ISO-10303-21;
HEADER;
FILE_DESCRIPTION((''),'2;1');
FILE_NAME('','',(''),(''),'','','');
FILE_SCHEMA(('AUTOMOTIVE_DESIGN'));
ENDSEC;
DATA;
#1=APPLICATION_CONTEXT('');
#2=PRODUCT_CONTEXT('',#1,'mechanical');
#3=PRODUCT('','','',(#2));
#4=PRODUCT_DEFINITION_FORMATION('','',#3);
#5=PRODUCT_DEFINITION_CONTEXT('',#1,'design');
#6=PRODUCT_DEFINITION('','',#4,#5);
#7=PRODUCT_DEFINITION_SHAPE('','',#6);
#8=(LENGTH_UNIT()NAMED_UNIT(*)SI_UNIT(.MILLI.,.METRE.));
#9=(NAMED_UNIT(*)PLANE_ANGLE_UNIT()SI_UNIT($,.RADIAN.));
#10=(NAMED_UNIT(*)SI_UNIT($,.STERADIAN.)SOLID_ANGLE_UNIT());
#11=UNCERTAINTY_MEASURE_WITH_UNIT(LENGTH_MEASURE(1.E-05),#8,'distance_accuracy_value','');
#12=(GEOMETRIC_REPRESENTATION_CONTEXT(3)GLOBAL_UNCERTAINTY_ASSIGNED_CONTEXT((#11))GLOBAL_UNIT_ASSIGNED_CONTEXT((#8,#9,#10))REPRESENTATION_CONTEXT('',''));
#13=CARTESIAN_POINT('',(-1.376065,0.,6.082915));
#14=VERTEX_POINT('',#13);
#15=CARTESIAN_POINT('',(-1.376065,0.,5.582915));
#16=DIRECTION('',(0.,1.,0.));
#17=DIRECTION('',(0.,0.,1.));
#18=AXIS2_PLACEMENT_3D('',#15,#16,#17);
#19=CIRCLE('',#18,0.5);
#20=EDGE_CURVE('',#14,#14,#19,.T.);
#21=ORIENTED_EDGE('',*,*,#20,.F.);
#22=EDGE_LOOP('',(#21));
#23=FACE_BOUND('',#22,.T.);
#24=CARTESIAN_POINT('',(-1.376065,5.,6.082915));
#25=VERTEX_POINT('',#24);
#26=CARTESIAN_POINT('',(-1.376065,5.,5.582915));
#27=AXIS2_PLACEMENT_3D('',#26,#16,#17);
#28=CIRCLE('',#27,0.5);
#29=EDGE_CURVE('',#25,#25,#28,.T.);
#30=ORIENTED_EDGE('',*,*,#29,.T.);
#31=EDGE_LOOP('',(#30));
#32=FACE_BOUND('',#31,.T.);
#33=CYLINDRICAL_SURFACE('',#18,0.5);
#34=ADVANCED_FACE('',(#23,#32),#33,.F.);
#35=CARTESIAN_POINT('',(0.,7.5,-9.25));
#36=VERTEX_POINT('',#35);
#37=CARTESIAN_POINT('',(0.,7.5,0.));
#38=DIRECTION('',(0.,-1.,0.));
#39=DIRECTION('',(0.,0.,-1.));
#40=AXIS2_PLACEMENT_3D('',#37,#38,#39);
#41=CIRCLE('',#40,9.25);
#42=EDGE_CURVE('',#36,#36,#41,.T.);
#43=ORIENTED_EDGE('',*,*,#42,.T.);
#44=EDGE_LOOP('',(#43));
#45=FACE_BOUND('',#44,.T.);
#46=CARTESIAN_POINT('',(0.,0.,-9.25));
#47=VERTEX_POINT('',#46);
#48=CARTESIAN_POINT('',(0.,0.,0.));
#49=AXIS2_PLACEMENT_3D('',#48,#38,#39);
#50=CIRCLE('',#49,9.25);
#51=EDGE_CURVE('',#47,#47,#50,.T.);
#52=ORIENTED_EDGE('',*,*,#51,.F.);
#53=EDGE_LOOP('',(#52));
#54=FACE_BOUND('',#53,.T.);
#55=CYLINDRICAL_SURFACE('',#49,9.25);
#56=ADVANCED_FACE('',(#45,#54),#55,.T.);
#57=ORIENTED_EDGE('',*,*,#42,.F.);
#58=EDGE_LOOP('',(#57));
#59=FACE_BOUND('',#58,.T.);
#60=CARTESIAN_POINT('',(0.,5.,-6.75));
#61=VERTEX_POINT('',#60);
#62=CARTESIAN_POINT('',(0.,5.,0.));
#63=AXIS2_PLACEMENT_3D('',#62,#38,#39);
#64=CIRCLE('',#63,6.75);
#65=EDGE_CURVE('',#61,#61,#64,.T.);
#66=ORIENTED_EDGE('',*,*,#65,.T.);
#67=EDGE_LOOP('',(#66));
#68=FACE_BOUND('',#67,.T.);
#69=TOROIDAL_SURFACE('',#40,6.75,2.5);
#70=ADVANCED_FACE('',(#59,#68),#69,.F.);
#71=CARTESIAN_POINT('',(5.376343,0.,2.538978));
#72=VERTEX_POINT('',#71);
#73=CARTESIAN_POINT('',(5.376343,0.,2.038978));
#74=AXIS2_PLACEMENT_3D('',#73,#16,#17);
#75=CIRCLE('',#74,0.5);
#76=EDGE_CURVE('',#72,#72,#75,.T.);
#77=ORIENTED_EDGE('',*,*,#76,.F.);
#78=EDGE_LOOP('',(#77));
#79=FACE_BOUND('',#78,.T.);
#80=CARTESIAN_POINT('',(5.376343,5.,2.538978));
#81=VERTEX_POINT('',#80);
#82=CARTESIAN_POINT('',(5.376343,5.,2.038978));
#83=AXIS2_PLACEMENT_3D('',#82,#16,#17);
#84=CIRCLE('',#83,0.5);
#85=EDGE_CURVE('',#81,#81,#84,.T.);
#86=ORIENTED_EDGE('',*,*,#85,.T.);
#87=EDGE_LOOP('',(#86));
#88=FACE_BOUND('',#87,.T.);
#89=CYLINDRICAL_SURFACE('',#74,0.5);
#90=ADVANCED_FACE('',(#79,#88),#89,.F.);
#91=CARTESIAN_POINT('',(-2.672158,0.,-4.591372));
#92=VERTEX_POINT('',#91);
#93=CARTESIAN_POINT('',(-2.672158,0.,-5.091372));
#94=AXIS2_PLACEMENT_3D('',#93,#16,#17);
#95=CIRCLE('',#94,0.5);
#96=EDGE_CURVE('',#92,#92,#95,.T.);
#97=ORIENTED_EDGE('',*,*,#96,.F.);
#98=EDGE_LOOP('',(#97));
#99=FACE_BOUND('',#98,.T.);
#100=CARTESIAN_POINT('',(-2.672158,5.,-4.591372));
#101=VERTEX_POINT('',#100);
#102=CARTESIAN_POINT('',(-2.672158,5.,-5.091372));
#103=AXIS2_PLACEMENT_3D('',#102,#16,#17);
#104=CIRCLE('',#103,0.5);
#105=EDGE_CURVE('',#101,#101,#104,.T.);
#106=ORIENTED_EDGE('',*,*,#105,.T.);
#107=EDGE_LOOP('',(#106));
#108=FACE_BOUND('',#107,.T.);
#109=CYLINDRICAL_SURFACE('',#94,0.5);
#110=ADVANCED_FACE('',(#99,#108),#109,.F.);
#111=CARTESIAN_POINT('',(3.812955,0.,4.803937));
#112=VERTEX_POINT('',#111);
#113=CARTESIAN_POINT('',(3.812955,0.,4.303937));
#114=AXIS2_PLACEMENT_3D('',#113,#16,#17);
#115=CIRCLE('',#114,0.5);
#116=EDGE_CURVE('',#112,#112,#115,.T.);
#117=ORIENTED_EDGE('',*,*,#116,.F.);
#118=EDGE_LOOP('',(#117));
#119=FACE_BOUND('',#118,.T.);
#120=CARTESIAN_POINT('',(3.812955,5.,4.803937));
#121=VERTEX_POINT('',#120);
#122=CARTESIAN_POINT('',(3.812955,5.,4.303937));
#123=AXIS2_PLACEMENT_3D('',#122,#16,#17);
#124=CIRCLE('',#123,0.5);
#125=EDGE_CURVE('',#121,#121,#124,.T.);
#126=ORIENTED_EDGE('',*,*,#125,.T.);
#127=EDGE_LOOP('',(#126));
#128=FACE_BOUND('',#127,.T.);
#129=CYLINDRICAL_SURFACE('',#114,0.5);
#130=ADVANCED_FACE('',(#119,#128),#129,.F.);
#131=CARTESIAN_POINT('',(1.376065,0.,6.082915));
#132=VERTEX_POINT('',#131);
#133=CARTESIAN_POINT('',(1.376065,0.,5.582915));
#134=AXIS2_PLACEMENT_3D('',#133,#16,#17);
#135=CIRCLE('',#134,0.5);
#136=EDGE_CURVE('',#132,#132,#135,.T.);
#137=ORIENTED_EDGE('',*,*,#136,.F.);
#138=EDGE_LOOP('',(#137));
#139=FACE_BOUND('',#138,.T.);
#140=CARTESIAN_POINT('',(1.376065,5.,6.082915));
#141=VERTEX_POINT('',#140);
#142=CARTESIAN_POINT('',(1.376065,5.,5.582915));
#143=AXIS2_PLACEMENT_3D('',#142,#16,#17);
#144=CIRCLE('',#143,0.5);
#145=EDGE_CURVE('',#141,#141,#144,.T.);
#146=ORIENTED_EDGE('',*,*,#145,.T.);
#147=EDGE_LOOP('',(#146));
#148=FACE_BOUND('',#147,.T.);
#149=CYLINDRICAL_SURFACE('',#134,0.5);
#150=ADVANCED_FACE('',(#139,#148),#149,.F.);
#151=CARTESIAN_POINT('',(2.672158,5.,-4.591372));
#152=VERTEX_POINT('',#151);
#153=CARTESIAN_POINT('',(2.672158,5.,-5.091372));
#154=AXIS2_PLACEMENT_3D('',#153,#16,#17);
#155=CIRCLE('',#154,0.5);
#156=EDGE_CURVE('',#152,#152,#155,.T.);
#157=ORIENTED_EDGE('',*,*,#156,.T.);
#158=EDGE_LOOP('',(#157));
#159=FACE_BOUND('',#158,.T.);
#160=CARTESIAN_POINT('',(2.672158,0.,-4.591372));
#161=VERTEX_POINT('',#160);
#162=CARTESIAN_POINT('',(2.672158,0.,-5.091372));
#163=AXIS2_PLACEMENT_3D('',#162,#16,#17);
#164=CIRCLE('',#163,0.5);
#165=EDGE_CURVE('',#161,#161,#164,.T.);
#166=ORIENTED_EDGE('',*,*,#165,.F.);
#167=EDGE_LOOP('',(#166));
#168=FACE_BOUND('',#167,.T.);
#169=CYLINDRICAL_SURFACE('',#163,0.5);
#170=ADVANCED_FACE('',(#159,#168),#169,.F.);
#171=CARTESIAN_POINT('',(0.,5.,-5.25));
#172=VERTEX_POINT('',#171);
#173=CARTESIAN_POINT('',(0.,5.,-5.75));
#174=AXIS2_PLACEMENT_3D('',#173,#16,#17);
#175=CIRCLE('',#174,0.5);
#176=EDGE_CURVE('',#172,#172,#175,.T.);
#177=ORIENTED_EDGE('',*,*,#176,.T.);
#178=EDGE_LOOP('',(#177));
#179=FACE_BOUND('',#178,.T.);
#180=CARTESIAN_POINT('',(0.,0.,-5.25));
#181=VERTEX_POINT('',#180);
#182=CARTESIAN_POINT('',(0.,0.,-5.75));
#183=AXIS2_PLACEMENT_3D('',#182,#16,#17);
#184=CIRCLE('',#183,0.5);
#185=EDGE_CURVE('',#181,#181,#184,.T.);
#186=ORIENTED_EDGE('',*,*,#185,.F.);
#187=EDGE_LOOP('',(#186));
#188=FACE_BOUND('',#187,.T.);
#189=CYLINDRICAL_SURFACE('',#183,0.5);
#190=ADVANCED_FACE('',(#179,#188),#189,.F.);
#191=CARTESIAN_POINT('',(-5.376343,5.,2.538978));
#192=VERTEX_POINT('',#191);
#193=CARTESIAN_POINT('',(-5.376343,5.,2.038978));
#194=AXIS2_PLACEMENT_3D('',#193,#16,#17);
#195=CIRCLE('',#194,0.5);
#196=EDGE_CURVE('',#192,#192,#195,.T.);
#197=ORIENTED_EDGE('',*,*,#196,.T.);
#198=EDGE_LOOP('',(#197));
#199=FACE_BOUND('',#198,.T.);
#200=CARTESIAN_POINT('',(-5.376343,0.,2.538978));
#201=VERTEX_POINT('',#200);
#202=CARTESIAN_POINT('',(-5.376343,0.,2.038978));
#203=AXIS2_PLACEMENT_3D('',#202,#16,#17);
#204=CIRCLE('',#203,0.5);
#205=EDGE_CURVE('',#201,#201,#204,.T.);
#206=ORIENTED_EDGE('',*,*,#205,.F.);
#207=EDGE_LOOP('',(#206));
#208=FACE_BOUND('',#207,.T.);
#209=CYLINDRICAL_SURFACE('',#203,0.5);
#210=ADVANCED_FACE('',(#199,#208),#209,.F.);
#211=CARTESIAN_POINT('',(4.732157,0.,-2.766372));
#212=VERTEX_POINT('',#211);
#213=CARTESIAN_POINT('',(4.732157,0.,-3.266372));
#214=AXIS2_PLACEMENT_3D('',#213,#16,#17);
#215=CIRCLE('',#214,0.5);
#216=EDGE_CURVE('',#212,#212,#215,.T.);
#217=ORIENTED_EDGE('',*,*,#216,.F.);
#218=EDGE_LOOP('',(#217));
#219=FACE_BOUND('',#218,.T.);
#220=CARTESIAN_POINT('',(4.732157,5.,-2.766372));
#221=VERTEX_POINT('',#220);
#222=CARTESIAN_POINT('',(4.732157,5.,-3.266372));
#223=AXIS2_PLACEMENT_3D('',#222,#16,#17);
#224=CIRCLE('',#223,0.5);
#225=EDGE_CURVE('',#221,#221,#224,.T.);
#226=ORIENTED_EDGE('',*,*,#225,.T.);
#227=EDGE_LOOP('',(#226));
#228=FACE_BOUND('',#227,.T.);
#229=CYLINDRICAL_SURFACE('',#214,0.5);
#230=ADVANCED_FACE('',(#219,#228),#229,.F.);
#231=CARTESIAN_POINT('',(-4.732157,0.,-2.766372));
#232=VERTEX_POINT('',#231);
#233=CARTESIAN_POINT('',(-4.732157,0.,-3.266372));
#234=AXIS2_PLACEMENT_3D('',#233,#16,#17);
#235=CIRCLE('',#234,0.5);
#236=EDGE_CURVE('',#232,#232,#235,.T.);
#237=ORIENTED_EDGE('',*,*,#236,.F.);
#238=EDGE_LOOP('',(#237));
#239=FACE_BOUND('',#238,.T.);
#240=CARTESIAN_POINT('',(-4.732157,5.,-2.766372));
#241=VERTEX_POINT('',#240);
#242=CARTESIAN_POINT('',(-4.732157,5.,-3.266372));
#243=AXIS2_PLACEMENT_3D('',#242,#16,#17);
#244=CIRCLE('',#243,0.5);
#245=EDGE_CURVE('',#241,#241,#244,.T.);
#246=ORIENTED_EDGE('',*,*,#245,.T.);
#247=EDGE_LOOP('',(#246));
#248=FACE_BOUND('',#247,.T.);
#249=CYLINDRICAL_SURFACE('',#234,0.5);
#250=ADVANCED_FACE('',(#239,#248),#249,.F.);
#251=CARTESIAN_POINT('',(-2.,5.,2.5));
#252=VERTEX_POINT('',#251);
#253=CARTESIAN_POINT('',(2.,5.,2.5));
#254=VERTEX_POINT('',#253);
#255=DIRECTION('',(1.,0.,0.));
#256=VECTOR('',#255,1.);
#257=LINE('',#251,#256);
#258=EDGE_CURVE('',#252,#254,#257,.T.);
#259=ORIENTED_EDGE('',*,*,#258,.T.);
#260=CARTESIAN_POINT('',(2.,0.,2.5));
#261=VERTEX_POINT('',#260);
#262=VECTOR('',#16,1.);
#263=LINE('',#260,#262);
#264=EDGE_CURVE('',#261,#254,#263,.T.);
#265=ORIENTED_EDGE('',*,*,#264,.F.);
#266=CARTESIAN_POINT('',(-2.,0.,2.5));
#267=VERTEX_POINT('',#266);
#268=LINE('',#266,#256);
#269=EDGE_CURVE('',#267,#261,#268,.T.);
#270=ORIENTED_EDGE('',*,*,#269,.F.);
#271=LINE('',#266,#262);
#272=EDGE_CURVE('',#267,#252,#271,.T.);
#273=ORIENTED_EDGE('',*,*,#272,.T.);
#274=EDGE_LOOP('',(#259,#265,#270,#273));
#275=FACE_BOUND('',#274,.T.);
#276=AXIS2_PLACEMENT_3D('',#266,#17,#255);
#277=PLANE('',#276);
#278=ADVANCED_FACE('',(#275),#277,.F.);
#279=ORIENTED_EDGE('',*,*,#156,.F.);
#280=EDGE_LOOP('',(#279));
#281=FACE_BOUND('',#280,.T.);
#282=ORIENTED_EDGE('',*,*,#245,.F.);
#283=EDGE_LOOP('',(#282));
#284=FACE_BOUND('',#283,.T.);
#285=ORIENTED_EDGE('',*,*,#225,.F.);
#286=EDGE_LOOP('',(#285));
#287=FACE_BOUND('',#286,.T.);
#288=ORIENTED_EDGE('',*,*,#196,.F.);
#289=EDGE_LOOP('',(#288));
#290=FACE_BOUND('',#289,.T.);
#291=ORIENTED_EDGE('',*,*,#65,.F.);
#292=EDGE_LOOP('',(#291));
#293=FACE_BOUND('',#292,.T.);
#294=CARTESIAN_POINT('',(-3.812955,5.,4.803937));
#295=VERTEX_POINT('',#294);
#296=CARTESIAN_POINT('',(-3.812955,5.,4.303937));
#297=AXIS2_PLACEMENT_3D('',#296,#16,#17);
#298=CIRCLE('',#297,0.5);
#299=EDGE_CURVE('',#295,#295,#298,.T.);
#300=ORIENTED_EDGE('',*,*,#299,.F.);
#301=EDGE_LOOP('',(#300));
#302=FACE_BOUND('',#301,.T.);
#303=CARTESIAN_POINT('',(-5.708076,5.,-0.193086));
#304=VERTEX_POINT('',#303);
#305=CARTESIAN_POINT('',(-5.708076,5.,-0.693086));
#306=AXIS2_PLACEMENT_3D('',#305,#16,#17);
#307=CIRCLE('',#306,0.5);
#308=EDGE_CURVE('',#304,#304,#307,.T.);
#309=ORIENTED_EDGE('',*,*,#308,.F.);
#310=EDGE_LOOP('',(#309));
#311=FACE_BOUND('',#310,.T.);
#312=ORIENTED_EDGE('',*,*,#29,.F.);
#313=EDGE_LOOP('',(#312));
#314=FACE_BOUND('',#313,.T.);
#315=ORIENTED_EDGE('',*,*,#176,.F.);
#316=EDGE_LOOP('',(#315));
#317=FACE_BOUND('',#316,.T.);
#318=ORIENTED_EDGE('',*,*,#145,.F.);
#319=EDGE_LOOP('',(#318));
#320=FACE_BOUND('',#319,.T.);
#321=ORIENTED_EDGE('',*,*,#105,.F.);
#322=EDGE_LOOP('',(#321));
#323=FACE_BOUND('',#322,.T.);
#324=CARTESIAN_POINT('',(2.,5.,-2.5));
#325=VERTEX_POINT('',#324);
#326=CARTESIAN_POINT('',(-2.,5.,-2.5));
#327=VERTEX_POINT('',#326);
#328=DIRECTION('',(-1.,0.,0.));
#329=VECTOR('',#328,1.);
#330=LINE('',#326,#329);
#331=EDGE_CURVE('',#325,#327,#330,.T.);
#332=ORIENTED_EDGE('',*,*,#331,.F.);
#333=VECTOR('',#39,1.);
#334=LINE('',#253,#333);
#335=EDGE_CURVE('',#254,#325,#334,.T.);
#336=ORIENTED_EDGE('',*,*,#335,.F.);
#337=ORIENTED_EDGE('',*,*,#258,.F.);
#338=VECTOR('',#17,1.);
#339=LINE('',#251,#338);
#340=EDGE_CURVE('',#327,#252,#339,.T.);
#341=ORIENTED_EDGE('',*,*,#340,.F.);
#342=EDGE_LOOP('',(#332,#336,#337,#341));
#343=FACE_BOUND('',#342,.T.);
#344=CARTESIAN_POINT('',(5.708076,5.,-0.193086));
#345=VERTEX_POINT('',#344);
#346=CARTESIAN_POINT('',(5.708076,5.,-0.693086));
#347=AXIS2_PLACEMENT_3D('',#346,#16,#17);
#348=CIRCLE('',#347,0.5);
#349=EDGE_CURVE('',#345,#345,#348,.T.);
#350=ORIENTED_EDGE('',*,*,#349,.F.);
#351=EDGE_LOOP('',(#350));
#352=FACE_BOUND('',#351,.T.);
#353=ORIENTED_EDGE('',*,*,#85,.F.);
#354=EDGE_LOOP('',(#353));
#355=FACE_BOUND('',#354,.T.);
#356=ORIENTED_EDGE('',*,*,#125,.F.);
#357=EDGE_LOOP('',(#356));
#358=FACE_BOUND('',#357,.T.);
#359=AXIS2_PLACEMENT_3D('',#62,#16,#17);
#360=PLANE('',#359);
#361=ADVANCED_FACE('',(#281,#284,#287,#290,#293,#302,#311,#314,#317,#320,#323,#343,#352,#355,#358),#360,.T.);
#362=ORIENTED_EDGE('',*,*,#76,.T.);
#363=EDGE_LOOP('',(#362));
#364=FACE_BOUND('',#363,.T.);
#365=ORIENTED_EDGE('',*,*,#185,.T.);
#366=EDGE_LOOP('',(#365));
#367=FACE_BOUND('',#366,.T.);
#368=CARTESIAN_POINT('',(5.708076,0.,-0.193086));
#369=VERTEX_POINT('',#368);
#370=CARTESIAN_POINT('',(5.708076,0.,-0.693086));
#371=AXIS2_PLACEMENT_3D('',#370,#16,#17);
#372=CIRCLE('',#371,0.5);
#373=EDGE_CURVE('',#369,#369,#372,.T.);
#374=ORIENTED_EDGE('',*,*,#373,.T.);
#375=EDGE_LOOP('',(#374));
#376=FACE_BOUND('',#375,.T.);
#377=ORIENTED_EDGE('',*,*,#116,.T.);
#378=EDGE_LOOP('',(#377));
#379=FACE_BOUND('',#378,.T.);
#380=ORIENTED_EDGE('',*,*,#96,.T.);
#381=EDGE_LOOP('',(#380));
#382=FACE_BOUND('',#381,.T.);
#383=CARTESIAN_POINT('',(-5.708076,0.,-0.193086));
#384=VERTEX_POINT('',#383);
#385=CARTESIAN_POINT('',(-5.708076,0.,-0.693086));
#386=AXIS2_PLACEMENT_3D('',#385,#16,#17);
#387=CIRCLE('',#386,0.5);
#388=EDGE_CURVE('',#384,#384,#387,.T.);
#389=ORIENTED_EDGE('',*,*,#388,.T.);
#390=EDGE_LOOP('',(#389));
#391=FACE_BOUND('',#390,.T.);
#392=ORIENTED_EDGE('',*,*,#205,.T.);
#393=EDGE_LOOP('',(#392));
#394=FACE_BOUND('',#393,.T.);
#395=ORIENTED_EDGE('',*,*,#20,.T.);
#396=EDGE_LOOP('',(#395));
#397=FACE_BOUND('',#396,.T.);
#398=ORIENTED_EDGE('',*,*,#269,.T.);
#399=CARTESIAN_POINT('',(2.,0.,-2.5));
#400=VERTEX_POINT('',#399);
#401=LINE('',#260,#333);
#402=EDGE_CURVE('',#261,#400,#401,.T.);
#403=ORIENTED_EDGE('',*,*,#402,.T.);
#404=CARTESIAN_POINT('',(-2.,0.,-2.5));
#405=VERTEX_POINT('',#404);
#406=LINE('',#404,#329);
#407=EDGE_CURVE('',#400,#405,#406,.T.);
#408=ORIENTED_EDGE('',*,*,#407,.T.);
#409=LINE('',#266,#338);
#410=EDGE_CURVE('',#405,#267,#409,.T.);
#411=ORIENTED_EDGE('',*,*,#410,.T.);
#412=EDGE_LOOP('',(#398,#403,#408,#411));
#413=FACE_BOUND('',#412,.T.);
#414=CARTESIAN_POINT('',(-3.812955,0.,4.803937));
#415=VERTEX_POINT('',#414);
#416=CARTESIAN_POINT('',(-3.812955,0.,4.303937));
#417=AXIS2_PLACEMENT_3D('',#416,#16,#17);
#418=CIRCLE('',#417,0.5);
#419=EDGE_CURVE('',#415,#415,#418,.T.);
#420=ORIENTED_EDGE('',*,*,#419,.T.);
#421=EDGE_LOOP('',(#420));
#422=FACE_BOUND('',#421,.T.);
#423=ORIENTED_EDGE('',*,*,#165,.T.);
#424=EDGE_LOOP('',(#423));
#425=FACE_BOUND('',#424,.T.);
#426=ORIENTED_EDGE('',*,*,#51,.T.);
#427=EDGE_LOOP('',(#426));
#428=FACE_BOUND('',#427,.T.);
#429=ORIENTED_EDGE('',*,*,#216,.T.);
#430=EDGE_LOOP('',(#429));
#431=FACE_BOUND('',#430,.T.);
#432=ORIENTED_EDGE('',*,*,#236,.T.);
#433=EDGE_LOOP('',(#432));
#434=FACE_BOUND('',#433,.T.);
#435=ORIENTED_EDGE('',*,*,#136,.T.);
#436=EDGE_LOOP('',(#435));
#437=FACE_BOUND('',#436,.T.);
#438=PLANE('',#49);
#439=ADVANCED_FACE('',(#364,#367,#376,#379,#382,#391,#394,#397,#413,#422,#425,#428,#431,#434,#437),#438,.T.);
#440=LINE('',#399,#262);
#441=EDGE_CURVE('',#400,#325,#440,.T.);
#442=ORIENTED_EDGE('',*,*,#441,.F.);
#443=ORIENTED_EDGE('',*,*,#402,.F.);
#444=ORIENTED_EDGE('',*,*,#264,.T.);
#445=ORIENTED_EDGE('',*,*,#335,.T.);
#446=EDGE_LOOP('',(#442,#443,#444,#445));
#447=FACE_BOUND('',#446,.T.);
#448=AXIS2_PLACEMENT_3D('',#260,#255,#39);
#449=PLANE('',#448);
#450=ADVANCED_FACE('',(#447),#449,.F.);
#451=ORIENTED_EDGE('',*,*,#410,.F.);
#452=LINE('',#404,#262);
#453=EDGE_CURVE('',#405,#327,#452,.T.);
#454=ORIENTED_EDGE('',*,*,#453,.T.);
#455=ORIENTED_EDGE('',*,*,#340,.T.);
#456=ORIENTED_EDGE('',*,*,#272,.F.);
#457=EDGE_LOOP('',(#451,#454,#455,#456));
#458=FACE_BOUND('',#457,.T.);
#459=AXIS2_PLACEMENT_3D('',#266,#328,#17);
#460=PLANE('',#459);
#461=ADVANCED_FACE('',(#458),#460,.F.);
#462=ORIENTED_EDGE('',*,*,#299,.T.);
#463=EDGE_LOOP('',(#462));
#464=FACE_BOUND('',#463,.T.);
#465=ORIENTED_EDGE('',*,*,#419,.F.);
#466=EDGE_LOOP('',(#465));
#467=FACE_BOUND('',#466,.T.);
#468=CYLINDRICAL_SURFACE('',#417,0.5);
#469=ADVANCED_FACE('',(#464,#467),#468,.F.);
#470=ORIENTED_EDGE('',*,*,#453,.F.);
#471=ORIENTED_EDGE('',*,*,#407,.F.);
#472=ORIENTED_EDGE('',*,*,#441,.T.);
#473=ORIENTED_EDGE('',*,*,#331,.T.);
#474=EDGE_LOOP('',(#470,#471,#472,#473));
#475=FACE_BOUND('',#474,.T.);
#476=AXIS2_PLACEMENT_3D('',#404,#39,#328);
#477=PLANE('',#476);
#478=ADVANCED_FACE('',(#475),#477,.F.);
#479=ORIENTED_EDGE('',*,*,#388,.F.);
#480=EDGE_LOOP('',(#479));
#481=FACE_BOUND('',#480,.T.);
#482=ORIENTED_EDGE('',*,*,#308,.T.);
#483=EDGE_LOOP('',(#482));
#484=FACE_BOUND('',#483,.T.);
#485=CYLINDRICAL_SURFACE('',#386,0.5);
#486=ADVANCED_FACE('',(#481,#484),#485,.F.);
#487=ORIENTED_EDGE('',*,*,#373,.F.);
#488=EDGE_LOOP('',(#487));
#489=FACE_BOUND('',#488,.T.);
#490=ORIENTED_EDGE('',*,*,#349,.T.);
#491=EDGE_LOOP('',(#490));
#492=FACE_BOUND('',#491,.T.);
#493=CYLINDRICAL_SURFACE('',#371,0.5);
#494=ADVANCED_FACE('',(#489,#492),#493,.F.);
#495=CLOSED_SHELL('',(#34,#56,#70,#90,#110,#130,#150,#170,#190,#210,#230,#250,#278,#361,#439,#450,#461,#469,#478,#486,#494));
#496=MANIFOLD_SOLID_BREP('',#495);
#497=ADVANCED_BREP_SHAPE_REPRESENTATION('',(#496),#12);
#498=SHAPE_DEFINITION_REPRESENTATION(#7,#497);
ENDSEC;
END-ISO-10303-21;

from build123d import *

# Parameters (mm, degrees)
CROQUIS2_R            = 0.5
CROQUIS2_W            = 4
CROQUIS2_H            = 5
CORTAR_EXTRUIR1_DEPTH = 6


with BuildPart() as part:
    # Croquis1 → Revolución1 (revolve)
    with BuildSketch(Plane.XY):
        with BuildLine():
            ThreePointArc((9.25, 7.5), (8.517766953, 5.732233047), (6.75, 5))
            Line((6.75, 5), (0, 5))
            Line((0, 5), (0, 0))
            Line((0, 0), (9.25, 0))
            Line((9.25, 0), (9.25, 7.5))
        make_face()
    revolve(axis=Axis((0, 0, 0), (0, 1, 0)))

    # Croquis2 → Cortar-Extruir1 (cut, through all)
    with BuildSketch(Plane(origin=(0, 5, 0), x_dir=(1, 0, 0), z_dir=(0, 1, 0))):
        with Locations((0, 5.75)):
            Circle(CROQUIS2_R)
        with Locations((2.672158239, 5.091372148)):
            Circle(CROQUIS2_R)
        with Locations((4.732157229, 3.266372294)):
            Circle(CROQUIS2_R)
        with Locations((5.708076026, 0.693085911)):
            Circle(CROQUIS2_R)
        with Locations((5.376343395, -2.0389781)):
            Circle(CROQUIS2_R)
        with Locations((3.812955285, -4.303936802)):
            Circle(CROQUIS2_R)
        with Locations((1.37606507, -5.58291545)):
            Circle(CROQUIS2_R)
        with Locations((-1.37606507, -5.58291545)):
            Circle(CROQUIS2_R)
        with Locations((-3.812955285, -4.303936802)):
            Circle(CROQUIS2_R)
        with Locations((-5.376343395, -2.0389781)):
            Circle(CROQUIS2_R)
        with Locations((-5.708076026, 0.693085911)):
            Circle(CROQUIS2_R)
        with Locations((-4.732157229, 3.266372294)):
            Circle(CROQUIS2_R)
        with Locations((-2.672158239, 5.091372148)):
            Circle(CROQUIS2_R)
        Rectangle(CROQUIS2_W, CROQUIS2_H)
    extrude(amount=-CORTAR_EXTRUIR1_DEPTH, mode=Mode.SUBTRACT)


solid = part.part
